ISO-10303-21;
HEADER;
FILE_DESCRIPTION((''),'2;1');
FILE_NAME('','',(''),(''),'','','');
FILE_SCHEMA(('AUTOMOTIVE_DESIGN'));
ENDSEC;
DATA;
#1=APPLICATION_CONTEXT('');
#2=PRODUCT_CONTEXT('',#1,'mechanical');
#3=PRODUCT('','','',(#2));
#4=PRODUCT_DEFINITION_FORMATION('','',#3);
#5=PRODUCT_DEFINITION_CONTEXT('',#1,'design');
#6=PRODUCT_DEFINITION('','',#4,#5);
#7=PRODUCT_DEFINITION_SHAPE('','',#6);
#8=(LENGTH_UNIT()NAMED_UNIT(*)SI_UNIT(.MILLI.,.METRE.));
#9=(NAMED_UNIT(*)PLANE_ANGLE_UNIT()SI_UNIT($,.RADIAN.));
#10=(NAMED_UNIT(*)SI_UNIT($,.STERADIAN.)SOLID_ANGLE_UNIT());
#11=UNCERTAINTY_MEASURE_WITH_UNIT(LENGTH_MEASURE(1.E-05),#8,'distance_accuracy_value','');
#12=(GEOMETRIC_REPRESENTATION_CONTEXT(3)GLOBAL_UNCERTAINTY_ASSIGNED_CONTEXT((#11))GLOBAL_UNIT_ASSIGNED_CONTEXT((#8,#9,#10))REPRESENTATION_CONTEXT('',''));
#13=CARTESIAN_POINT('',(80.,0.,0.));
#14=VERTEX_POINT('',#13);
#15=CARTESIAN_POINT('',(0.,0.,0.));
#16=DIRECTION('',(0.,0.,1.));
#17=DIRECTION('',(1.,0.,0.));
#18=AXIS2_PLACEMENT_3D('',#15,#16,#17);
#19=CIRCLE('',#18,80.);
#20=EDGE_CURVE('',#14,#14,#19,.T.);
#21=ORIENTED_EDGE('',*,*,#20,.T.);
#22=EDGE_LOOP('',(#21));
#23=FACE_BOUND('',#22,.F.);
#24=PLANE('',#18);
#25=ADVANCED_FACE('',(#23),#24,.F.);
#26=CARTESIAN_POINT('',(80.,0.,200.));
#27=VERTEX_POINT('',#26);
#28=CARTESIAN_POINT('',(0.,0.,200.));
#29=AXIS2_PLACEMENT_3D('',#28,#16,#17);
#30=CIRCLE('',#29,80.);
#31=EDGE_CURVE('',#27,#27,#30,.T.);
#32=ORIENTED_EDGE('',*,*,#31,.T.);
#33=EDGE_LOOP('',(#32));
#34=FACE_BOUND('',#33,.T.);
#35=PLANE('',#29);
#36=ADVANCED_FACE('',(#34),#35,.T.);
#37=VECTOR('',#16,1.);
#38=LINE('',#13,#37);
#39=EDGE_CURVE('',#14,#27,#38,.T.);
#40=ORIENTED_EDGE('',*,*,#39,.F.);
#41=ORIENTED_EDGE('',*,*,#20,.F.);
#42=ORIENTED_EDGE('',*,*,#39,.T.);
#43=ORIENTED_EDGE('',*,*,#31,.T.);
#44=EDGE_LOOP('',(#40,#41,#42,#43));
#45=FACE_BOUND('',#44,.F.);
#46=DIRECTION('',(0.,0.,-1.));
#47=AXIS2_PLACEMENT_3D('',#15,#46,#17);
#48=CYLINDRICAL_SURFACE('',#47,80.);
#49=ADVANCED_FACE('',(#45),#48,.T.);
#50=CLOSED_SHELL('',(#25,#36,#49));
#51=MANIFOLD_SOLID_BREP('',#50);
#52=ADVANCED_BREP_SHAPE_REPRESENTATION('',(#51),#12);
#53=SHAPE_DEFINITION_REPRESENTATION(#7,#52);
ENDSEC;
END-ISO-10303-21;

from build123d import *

# Parameters (mm, degrees)
F0_R     = 80
F1_DEPTH = 200


with BuildPart() as f1:
    # F0 (on Top) → F1 (new body)
    with BuildSketch(Plane.XY):
        Circle(F0_R)
    extrude(amount=F1_DEPTH)


with BuildPart() as f2_1:
    # F2: copy of F1
    add(f1.part)


solid = f1.part
